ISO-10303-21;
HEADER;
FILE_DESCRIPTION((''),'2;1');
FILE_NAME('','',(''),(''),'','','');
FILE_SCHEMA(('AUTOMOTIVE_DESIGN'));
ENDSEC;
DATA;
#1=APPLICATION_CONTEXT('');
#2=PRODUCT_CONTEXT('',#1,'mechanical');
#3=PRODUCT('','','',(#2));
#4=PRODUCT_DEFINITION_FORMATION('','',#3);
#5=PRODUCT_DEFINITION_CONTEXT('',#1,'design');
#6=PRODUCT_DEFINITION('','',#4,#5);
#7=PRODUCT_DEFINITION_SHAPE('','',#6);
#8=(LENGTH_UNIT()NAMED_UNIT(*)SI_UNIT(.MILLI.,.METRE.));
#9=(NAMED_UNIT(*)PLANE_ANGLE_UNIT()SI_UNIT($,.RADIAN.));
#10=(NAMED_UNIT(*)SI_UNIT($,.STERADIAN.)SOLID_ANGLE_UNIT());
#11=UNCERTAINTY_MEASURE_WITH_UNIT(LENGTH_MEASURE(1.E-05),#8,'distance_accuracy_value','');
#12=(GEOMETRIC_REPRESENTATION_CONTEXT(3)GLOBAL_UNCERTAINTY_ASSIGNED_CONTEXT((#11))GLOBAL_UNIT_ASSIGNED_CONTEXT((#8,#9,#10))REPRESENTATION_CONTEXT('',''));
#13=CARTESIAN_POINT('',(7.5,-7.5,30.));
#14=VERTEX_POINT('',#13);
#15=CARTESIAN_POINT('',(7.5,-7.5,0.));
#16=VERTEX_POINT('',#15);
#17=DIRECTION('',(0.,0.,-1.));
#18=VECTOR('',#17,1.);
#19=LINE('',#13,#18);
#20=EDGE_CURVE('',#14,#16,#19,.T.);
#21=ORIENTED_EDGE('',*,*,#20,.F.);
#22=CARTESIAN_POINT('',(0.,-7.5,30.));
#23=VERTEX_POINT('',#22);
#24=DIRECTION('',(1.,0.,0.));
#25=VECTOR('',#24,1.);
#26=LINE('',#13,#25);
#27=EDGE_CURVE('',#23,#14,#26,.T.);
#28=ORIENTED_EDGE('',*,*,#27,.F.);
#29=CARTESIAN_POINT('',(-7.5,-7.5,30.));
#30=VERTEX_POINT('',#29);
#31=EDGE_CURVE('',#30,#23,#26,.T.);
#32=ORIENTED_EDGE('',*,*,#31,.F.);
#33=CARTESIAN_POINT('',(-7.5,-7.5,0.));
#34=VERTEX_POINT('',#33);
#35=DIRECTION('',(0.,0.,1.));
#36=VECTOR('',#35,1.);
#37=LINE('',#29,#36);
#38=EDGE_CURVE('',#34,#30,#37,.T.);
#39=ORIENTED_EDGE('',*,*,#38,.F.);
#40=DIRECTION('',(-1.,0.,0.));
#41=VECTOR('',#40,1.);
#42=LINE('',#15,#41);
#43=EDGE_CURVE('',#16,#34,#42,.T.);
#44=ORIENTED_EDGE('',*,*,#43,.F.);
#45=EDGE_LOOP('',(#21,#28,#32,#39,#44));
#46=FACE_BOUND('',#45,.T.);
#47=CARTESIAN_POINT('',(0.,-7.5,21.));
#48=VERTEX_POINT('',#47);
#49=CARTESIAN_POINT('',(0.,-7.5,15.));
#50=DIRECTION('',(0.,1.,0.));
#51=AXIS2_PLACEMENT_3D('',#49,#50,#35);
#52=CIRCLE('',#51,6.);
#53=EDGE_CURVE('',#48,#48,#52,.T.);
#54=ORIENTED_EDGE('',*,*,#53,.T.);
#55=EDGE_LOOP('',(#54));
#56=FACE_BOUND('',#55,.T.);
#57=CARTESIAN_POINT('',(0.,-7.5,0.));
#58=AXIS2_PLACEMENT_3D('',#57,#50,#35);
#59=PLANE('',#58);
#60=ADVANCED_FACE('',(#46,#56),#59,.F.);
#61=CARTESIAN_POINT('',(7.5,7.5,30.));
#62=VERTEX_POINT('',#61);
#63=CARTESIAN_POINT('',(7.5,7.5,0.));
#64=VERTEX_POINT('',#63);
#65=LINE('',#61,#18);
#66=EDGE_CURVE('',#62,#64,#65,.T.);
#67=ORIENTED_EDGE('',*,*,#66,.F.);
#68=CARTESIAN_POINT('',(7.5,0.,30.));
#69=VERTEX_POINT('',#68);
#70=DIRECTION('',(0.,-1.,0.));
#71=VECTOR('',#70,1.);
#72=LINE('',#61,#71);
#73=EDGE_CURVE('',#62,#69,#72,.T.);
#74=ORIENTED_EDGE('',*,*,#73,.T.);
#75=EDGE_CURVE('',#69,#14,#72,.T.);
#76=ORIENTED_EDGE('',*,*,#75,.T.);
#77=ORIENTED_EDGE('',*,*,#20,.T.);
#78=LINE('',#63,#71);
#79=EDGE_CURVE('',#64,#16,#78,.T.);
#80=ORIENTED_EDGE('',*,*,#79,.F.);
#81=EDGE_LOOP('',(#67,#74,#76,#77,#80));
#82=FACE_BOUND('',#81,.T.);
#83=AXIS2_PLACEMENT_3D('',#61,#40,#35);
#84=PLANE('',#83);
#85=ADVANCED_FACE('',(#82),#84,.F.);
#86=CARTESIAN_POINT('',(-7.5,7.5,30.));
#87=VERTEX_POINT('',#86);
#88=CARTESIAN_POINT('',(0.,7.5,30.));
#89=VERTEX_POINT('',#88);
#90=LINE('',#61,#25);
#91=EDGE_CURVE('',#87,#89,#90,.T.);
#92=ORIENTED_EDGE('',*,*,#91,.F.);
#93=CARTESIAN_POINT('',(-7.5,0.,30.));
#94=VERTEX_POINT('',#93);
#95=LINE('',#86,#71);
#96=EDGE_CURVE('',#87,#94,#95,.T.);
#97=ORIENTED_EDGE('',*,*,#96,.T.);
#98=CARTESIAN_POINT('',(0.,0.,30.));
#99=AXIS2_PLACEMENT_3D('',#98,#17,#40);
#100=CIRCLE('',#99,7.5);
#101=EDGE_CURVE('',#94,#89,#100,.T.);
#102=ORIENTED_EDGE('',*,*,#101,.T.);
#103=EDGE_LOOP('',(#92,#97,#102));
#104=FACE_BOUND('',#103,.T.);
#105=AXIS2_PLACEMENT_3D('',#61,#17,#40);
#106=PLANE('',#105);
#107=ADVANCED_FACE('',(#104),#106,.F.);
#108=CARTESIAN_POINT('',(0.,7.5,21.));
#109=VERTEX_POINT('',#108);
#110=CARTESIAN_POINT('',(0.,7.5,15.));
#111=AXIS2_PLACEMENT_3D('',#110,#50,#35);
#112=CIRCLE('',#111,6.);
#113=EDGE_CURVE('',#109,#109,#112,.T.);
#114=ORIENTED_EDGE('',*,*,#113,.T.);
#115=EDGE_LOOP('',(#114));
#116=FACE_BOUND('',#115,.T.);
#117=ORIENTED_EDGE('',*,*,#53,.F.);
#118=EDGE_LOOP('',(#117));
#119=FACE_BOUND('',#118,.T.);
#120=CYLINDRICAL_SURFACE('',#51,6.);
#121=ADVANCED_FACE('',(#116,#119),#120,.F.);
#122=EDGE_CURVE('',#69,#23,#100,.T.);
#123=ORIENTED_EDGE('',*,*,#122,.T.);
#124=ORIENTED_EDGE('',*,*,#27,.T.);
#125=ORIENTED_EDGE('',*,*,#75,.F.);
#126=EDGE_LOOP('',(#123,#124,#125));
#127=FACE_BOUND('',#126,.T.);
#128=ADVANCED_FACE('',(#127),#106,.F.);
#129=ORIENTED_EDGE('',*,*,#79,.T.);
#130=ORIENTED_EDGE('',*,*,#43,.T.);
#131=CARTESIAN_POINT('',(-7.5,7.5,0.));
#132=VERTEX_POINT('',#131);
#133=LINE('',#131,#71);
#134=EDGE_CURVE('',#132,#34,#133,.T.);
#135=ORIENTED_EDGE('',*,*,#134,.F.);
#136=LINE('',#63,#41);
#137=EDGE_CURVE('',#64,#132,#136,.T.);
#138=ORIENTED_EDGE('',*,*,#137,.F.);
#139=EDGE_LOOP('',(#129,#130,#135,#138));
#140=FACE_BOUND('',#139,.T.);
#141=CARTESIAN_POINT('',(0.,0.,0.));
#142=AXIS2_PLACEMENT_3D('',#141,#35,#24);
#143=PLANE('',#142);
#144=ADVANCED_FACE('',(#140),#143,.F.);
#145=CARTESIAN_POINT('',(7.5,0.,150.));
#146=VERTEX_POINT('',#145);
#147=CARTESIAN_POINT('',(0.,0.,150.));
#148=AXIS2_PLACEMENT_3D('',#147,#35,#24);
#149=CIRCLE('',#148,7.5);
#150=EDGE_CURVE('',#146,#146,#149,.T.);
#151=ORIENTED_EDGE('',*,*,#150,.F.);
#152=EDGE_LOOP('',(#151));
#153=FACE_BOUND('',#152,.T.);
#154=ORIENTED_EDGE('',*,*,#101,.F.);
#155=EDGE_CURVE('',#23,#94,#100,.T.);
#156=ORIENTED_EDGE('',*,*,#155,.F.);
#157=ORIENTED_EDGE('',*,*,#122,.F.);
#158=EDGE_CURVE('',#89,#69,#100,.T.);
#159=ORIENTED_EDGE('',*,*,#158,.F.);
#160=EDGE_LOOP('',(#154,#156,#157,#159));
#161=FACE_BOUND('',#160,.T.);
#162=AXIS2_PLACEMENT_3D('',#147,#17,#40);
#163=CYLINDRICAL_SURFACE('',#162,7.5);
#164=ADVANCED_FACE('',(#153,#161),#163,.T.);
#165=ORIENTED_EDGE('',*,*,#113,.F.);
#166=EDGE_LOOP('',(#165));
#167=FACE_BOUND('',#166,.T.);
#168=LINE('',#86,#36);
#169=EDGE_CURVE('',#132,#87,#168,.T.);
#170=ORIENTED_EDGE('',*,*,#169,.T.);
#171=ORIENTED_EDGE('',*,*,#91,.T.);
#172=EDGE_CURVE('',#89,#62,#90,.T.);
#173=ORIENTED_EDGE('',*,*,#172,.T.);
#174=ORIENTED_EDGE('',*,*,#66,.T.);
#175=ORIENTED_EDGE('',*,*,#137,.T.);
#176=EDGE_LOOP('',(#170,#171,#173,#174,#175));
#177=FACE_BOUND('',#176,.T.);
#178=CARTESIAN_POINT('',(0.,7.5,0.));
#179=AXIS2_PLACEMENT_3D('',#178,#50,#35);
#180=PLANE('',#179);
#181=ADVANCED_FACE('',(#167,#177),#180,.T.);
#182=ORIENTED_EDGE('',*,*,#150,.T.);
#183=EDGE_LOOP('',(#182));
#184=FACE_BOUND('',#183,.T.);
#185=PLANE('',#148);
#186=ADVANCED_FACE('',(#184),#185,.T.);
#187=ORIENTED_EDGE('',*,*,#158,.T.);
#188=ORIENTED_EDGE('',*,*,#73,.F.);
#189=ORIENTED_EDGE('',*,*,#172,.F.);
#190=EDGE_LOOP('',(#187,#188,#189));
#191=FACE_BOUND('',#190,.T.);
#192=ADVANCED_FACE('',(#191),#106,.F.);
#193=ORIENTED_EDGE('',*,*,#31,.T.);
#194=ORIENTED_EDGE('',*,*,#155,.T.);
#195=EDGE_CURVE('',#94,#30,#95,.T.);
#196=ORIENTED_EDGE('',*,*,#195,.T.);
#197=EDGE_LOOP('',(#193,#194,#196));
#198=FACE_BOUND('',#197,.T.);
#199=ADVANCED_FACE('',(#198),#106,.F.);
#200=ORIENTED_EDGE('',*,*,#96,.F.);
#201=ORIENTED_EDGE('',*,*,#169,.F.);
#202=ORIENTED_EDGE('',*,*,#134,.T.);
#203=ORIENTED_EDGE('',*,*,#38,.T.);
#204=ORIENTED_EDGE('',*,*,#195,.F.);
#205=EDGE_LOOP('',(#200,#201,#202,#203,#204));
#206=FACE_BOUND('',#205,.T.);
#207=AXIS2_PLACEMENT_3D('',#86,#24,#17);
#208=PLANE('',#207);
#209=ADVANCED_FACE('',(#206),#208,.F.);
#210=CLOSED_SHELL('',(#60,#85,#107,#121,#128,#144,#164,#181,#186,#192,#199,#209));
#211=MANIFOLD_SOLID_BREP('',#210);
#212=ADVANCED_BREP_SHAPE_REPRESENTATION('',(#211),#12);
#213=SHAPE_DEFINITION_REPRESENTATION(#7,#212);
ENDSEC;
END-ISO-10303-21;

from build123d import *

# Parameters (mm, degrees)
SKETCH1_R           = 7.5
BOSS_EXTRUDE1_DEPTH = 150
SKETCH4_W           = 15
SKETCH4_H           = 30
BOSS_EXTRUDE2_DEPTH = 7.5
SKETCH5_R           = 6
CUT_EXTRUDE2_DEPTH  = 151.934588481


with BuildPart() as part:
    # Sketch1 → Boss-Extrude1 (new body)
    with BuildSketch(Plane.XY):
        Circle(SKETCH1_R)
    extrude(amount=BOSS_EXTRUDE1_DEPTH)

    # Sketch4 → Boss-Extrude2 (add, symmetric)
    with BuildSketch(Plane(origin=(0, 0, 0), x_dir=(1, 0, 0), z_dir=(0, 1, 0))):
        with Locations((0, -15)):
            Rectangle(SKETCH4_W, SKETCH4_H)
    extrude(amount=BOSS_EXTRUDE2_DEPTH, both=True)

    # Sketch5 → Cut-Extrude2 (cut, through all)
    with BuildSketch(Plane(origin=(0, 7.5, 0), x_dir=(1, 0, 0), z_dir=(0, 1, 0))):
        with Locations(Location((0, -15, 0), (0, 0, 270))):
            Circle(SKETCH5_R)
    extrude(amount=-CUT_EXTRUDE2_DEPTH, mode=Mode.SUBTRACT)


solid = part.part
